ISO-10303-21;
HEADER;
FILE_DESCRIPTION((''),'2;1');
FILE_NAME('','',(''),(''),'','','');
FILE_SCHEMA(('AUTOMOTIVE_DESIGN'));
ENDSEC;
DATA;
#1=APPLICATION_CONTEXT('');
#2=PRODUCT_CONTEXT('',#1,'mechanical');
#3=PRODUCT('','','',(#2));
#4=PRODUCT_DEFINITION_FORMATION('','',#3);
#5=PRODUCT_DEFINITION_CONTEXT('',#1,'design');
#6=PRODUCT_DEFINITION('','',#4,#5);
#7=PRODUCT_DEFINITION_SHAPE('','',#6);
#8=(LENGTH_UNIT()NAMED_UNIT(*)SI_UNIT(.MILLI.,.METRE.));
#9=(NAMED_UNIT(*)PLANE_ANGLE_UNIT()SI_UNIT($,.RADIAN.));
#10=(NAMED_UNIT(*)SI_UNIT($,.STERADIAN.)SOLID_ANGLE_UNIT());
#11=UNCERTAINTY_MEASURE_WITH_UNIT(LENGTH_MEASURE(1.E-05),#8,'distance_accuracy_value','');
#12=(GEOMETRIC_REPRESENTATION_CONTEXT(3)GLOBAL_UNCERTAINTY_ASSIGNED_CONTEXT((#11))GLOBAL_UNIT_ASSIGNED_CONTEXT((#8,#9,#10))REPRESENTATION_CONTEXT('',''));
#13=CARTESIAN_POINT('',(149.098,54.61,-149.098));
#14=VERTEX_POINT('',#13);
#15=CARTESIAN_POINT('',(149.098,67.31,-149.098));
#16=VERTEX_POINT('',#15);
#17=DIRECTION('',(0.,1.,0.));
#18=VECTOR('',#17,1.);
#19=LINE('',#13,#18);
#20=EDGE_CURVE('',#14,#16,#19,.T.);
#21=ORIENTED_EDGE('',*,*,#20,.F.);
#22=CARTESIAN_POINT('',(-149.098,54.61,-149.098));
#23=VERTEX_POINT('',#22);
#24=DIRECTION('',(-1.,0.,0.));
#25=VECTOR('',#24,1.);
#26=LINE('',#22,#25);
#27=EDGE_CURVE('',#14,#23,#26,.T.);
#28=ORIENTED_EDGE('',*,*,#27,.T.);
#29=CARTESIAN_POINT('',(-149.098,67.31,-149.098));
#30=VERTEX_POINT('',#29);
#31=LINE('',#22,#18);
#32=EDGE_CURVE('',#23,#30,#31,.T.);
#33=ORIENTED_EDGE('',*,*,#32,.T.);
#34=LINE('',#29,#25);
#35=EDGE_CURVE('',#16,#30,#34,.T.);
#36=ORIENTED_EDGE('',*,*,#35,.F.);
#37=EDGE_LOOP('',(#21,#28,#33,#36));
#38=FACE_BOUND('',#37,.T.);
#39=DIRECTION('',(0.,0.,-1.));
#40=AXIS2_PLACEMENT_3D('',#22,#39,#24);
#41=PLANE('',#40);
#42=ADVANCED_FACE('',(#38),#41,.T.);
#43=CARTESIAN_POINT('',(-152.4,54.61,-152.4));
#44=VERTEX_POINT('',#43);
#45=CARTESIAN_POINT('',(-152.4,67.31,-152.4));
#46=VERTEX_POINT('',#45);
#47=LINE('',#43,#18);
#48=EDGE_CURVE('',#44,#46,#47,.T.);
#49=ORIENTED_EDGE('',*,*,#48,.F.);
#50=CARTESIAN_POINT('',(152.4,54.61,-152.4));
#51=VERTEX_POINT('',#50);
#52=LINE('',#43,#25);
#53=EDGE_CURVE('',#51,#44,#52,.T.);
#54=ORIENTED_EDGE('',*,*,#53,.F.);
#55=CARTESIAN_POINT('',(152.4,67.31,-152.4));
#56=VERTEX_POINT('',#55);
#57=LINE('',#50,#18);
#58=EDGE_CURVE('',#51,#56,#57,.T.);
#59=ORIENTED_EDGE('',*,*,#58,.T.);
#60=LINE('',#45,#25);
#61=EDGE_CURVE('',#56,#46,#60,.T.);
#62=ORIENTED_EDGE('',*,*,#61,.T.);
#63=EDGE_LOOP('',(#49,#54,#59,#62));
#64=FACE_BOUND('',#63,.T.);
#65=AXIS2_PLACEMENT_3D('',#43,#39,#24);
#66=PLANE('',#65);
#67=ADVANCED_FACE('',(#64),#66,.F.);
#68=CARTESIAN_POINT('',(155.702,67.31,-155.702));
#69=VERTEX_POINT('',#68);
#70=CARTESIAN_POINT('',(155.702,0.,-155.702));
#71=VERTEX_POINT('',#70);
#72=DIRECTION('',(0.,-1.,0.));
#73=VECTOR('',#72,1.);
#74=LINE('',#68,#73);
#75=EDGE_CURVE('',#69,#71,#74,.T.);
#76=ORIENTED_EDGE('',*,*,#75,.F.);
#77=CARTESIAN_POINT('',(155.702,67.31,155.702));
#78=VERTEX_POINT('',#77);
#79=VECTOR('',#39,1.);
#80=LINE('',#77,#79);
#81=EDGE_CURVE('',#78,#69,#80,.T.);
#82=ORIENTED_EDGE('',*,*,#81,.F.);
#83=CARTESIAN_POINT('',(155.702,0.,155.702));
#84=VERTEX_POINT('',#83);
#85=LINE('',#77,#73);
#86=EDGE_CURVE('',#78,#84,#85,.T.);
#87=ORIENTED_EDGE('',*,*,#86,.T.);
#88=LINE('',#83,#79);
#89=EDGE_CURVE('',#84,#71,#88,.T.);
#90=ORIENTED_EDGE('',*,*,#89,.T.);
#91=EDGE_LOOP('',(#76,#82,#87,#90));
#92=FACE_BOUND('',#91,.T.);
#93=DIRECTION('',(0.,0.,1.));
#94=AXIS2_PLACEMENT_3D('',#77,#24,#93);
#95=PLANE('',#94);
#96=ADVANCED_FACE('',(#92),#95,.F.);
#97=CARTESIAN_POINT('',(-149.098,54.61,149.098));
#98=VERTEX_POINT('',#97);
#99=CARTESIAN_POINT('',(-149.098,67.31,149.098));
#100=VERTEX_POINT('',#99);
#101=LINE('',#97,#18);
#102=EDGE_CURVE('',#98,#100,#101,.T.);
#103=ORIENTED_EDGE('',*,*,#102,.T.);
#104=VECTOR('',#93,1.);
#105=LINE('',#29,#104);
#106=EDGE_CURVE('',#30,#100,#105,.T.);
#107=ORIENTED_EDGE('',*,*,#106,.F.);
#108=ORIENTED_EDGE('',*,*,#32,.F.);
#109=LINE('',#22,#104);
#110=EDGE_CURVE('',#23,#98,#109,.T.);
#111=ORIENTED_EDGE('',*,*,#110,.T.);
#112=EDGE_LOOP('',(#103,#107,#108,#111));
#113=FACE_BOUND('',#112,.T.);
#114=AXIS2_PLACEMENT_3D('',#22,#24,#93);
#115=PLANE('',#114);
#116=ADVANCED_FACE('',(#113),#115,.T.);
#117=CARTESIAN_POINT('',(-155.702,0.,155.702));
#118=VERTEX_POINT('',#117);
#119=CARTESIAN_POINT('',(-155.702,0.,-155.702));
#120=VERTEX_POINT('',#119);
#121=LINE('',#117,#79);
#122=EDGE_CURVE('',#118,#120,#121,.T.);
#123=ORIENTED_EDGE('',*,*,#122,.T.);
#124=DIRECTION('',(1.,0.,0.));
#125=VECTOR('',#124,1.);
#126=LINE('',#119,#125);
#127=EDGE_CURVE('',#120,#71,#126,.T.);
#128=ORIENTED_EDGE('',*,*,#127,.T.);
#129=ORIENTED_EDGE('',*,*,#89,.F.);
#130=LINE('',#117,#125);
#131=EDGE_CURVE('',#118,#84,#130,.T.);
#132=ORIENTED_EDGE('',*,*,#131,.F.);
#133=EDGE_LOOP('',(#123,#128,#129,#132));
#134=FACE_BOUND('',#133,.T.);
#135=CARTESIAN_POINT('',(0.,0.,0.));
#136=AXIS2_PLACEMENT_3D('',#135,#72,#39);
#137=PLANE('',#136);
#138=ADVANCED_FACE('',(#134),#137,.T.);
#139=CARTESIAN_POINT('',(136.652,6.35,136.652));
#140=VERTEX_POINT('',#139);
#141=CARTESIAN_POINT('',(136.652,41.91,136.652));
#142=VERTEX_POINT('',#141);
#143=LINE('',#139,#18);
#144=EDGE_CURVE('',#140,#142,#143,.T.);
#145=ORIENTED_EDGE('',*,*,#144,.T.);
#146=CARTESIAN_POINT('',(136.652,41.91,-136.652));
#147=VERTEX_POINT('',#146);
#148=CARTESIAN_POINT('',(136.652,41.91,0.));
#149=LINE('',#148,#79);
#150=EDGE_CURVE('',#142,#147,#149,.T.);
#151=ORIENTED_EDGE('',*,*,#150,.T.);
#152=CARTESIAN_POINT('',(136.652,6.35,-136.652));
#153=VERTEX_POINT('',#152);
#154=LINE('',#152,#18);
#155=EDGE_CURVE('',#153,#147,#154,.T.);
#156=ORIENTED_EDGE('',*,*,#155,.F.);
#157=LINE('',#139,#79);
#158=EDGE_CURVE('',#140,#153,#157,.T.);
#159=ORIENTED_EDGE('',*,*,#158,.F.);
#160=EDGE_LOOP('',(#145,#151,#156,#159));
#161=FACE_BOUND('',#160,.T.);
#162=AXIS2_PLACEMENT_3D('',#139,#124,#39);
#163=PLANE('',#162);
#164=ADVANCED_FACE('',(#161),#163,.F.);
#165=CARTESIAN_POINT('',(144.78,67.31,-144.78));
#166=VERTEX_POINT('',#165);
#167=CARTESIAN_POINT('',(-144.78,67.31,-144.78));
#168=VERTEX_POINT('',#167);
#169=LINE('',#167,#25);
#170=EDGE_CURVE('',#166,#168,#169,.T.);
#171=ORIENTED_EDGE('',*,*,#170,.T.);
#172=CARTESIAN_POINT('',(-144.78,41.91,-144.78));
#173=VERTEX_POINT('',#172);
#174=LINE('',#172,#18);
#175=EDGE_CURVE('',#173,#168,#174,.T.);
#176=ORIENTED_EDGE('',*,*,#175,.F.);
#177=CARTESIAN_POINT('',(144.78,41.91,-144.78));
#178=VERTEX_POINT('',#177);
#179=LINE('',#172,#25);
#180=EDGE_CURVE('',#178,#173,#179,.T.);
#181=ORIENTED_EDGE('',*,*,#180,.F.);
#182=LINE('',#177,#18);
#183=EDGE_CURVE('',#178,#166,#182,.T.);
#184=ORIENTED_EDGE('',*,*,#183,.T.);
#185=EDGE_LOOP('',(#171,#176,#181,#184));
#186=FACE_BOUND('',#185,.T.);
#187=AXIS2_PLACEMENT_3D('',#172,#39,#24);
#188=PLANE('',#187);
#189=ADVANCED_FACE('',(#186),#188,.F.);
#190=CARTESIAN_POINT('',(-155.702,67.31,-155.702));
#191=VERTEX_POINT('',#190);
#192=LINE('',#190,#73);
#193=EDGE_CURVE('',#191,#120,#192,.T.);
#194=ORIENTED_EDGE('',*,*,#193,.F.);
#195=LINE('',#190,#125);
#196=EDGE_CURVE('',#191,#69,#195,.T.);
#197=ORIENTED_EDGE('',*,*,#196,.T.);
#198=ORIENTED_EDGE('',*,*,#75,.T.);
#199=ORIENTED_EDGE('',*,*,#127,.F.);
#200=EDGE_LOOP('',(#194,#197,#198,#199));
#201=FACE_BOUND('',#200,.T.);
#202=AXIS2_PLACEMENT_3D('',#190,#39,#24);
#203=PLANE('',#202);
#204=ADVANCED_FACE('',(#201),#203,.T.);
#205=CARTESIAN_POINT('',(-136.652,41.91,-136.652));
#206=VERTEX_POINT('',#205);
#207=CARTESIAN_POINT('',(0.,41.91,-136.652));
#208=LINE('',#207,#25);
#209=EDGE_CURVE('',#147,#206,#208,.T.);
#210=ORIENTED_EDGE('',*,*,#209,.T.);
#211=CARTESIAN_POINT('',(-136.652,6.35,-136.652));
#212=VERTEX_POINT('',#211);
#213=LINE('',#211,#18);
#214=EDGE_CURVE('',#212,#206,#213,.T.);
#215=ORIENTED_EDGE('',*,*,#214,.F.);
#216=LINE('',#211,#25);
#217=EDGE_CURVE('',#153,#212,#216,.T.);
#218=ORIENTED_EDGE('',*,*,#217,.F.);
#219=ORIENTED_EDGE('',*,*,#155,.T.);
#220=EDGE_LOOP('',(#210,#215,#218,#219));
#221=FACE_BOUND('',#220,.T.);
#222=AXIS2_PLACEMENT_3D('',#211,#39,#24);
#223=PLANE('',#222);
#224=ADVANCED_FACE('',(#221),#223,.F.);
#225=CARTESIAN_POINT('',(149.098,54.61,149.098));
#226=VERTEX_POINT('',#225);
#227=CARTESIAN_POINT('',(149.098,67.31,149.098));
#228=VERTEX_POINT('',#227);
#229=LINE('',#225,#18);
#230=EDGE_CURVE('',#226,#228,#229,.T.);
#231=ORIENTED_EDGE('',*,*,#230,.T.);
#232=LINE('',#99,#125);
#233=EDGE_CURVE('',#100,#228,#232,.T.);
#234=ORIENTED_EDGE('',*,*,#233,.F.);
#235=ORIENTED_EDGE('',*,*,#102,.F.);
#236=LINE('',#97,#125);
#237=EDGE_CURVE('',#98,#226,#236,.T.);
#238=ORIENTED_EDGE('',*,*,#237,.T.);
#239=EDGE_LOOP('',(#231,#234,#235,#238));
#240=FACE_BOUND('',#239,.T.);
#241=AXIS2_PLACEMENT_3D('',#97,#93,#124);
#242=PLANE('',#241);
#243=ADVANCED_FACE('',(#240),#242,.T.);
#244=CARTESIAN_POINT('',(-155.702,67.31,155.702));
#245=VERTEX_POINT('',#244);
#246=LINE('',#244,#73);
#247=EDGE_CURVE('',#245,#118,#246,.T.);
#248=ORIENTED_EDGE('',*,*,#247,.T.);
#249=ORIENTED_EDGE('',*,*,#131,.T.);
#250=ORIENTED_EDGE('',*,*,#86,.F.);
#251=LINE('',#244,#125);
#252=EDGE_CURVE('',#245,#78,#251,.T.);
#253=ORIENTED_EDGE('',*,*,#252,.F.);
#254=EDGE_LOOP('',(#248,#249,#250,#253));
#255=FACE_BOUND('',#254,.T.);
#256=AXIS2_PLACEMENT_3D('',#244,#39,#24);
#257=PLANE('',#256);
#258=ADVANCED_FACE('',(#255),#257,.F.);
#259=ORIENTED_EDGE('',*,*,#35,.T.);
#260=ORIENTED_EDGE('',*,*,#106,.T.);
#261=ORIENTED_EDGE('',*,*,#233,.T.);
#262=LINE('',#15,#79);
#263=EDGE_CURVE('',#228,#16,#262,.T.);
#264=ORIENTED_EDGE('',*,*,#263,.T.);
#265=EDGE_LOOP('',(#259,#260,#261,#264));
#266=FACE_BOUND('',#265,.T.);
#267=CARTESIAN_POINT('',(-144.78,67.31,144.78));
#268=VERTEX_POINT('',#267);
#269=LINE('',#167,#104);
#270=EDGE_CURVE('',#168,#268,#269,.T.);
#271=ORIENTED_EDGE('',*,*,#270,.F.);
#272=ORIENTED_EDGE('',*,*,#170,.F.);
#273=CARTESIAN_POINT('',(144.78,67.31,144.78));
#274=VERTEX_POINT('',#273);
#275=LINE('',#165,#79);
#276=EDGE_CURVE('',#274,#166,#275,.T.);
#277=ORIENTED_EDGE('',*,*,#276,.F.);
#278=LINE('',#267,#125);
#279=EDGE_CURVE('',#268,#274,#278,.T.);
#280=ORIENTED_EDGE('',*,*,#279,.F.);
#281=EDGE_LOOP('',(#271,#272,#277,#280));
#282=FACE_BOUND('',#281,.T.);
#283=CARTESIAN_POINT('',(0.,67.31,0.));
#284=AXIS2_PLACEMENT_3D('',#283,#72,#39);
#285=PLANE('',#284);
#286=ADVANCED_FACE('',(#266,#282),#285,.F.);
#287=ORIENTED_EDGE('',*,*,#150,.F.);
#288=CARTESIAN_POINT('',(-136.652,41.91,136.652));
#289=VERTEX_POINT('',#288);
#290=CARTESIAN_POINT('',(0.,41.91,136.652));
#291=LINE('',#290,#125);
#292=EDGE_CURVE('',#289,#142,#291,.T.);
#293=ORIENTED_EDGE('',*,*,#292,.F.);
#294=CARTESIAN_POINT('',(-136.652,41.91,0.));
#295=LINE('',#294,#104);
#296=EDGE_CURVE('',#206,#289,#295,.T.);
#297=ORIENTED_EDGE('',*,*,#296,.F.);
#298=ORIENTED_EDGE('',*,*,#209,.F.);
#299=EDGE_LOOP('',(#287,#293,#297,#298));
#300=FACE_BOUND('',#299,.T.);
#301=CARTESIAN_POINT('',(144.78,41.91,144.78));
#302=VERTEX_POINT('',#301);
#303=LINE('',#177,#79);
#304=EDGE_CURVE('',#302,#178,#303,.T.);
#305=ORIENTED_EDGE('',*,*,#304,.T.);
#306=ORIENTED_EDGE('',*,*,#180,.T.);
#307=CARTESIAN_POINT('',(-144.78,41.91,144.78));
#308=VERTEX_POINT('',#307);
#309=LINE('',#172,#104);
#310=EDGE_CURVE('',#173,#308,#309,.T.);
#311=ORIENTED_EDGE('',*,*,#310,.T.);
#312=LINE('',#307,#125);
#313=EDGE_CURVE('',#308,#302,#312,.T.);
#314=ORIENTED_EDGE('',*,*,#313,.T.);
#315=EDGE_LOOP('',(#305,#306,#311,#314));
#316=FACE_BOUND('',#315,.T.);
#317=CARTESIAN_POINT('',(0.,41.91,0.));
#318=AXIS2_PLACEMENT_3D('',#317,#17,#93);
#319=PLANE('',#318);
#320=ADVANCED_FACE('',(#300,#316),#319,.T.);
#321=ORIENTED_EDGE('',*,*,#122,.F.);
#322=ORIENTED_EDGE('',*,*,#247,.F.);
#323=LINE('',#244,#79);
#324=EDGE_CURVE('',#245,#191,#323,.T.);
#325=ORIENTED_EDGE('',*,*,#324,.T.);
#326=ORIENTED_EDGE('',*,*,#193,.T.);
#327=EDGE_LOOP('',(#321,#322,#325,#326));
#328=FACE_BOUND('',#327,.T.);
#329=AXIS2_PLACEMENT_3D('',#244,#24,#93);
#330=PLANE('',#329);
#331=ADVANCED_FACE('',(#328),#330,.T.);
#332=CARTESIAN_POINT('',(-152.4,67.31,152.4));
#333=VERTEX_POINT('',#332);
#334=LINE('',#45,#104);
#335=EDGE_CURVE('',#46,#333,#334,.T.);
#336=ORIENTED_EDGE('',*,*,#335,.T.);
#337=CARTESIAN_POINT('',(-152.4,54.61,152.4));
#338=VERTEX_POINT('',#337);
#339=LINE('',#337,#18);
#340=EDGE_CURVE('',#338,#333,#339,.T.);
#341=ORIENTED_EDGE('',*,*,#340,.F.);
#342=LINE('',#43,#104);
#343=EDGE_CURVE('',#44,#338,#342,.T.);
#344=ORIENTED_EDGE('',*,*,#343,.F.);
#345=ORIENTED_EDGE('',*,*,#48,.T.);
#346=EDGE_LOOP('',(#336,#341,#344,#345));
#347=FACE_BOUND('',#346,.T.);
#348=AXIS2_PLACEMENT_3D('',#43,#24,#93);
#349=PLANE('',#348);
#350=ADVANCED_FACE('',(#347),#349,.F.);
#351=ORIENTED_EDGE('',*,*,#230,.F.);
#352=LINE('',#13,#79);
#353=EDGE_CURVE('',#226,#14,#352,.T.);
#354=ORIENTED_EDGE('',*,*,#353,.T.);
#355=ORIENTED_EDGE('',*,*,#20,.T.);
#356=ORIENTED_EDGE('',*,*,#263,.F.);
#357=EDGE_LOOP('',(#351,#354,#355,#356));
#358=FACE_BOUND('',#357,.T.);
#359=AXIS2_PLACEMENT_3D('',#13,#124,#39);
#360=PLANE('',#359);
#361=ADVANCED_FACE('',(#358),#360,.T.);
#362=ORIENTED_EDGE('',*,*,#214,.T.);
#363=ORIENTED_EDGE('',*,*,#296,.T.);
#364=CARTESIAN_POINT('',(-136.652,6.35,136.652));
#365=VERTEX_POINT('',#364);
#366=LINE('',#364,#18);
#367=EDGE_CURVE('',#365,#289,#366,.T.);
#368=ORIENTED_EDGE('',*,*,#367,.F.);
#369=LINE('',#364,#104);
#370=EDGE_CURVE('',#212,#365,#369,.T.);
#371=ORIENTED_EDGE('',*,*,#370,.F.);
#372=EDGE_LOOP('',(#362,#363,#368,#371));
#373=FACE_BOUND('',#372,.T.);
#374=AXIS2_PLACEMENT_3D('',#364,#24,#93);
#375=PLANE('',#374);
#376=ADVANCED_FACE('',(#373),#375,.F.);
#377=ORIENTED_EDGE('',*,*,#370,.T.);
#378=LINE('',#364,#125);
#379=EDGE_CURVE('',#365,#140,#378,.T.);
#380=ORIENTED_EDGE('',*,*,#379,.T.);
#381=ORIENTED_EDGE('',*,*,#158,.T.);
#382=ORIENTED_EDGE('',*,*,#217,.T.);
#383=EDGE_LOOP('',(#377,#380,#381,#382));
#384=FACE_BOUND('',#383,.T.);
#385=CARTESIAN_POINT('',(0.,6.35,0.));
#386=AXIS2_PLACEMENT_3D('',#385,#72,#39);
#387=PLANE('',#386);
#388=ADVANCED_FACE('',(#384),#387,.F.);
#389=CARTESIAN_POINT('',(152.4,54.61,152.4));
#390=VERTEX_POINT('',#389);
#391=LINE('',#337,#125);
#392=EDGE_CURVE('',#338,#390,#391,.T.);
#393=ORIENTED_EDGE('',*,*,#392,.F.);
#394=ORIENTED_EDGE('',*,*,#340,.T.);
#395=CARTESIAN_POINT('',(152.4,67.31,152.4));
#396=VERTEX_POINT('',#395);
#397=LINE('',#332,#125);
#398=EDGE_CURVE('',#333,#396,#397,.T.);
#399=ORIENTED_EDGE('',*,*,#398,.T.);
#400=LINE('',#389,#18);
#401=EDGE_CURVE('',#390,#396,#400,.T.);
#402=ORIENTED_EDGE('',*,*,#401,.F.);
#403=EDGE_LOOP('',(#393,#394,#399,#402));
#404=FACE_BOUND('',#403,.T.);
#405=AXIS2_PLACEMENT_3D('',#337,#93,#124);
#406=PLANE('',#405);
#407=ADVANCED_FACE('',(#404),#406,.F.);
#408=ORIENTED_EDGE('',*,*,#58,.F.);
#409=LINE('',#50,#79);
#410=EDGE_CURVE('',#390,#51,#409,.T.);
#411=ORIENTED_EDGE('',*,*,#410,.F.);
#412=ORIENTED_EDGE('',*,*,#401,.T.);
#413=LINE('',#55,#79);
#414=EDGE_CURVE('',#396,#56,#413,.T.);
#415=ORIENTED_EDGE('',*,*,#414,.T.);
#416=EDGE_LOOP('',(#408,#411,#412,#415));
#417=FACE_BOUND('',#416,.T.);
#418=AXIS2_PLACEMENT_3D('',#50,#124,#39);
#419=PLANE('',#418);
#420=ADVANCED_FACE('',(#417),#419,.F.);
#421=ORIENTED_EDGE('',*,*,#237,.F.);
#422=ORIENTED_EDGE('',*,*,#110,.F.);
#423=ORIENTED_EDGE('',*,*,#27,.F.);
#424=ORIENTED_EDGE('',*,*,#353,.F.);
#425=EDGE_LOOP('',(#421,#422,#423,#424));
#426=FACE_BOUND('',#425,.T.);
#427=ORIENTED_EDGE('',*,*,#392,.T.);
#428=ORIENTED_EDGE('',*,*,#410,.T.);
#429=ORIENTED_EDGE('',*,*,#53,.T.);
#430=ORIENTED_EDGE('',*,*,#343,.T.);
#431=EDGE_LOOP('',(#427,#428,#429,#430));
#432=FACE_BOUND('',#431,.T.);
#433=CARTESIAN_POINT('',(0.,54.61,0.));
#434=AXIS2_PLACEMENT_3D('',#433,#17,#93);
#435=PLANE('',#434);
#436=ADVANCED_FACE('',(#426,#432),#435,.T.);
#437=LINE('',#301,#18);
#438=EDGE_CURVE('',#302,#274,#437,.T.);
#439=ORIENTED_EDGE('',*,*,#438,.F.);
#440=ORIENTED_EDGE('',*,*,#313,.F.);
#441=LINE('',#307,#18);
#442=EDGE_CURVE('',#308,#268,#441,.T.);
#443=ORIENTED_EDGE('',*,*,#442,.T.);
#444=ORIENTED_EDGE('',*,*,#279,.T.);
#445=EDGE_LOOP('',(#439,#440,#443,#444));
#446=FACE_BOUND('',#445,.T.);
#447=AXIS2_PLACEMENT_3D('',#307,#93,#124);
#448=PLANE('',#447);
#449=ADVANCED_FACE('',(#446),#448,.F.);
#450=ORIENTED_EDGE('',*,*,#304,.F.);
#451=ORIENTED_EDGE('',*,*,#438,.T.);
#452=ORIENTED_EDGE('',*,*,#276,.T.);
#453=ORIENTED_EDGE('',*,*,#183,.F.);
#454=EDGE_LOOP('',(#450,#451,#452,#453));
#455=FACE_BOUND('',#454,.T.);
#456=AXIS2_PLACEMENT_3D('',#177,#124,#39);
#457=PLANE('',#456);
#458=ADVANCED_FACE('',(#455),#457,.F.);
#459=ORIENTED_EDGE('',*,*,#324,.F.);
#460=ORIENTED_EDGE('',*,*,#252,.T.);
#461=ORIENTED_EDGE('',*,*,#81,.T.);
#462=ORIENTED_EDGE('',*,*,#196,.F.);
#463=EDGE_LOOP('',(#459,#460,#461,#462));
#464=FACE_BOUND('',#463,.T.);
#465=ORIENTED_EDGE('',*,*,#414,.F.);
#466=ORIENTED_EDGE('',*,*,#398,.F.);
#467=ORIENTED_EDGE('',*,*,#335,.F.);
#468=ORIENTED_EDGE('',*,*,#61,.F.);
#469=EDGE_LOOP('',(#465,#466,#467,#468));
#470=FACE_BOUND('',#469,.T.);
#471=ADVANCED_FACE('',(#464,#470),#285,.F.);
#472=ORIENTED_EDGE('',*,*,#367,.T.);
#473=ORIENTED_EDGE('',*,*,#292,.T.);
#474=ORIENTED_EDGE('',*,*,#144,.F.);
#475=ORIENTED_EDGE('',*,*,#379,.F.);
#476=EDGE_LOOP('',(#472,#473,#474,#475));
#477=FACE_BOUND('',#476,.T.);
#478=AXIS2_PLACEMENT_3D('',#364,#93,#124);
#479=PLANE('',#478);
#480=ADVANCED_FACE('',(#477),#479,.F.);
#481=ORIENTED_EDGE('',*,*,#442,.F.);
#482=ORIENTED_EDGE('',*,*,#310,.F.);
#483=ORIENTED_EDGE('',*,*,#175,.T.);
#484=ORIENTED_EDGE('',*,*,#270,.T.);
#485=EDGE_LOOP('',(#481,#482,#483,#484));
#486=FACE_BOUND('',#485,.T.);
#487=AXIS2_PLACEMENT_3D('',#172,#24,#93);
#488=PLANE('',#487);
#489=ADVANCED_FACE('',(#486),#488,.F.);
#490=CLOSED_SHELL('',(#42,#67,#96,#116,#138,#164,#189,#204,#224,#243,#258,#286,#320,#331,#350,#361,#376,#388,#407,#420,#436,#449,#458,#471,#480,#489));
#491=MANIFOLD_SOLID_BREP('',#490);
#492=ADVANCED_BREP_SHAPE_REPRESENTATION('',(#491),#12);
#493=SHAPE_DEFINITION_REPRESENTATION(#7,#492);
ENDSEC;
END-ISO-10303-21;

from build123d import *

# Parameters (mm, degrees)
SKETCH2_W           = 311.404
SKETCH2_H           = 311.404
BOSS_EXTRUDE1_DEPTH = 67.31
SKETCH4_W           = 289.56
SKETCH4_H           = 289.56
CUT_EXTRUDE1_DEPTH  = 25.4
SKETCH5_W           = 273.304
SKETCH5_H           = 273.304
CUT_EXTRUDE2_DEPTH  = 60.96
SKETCH6_W           = 304.8
SKETCH6_H           = 304.8
SKETCH6_W_2         = 298.196
SKETCH6_H_2         = 298.196
CUT_EXTRUDE3_DEPTH  = 12.7


with BuildPart() as part:
    # Sketch2 → Boss-Extrude1 (new body)
    with BuildSketch(Plane(origin=(0, 0, 0), x_dir=(1, 0, 0), z_dir=(0, 1, 0))):
        Rectangle(SKETCH2_W, SKETCH2_H)
    extrude(amount=BOSS_EXTRUDE1_DEPTH)

    # Sketch4 → Cut-Extrude1 (cut)
    with BuildSketch(Plane(origin=(0, 67.31, 0), x_dir=(1, 0, 0), z_dir=(0, 1, 0))):
        Rectangle(SKETCH4_W, SKETCH4_H)
    extrude(amount=-CUT_EXTRUDE1_DEPTH, mode=Mode.SUBTRACT)

    # Sketch5 → Cut-Extrude2 (cut)
    with BuildSketch(Plane(origin=(0, 67.31, 0), x_dir=(1, 0, 0), z_dir=(0, 1, 0))):
        Rectangle(SKETCH5_W, SKETCH5_H)
    extrude(amount=-CUT_EXTRUDE2_DEPTH, mode=Mode.SUBTRACT)

    # Sketch6 → Cut-Extrude3 (cut)
    with BuildSketch(Plane(origin=(0, 67.31, 0), x_dir=(1, 0, 0), z_dir=(0, 1, 0))):
        Rectangle(SKETCH6_W, SKETCH6_H)
        Rectangle(SKETCH6_W_2, SKETCH6_H_2, mode=Mode.SUBTRACT)
    extrude(amount=-CUT_EXTRUDE3_DEPTH, mode=Mode.SUBTRACT)


solid = part.part
